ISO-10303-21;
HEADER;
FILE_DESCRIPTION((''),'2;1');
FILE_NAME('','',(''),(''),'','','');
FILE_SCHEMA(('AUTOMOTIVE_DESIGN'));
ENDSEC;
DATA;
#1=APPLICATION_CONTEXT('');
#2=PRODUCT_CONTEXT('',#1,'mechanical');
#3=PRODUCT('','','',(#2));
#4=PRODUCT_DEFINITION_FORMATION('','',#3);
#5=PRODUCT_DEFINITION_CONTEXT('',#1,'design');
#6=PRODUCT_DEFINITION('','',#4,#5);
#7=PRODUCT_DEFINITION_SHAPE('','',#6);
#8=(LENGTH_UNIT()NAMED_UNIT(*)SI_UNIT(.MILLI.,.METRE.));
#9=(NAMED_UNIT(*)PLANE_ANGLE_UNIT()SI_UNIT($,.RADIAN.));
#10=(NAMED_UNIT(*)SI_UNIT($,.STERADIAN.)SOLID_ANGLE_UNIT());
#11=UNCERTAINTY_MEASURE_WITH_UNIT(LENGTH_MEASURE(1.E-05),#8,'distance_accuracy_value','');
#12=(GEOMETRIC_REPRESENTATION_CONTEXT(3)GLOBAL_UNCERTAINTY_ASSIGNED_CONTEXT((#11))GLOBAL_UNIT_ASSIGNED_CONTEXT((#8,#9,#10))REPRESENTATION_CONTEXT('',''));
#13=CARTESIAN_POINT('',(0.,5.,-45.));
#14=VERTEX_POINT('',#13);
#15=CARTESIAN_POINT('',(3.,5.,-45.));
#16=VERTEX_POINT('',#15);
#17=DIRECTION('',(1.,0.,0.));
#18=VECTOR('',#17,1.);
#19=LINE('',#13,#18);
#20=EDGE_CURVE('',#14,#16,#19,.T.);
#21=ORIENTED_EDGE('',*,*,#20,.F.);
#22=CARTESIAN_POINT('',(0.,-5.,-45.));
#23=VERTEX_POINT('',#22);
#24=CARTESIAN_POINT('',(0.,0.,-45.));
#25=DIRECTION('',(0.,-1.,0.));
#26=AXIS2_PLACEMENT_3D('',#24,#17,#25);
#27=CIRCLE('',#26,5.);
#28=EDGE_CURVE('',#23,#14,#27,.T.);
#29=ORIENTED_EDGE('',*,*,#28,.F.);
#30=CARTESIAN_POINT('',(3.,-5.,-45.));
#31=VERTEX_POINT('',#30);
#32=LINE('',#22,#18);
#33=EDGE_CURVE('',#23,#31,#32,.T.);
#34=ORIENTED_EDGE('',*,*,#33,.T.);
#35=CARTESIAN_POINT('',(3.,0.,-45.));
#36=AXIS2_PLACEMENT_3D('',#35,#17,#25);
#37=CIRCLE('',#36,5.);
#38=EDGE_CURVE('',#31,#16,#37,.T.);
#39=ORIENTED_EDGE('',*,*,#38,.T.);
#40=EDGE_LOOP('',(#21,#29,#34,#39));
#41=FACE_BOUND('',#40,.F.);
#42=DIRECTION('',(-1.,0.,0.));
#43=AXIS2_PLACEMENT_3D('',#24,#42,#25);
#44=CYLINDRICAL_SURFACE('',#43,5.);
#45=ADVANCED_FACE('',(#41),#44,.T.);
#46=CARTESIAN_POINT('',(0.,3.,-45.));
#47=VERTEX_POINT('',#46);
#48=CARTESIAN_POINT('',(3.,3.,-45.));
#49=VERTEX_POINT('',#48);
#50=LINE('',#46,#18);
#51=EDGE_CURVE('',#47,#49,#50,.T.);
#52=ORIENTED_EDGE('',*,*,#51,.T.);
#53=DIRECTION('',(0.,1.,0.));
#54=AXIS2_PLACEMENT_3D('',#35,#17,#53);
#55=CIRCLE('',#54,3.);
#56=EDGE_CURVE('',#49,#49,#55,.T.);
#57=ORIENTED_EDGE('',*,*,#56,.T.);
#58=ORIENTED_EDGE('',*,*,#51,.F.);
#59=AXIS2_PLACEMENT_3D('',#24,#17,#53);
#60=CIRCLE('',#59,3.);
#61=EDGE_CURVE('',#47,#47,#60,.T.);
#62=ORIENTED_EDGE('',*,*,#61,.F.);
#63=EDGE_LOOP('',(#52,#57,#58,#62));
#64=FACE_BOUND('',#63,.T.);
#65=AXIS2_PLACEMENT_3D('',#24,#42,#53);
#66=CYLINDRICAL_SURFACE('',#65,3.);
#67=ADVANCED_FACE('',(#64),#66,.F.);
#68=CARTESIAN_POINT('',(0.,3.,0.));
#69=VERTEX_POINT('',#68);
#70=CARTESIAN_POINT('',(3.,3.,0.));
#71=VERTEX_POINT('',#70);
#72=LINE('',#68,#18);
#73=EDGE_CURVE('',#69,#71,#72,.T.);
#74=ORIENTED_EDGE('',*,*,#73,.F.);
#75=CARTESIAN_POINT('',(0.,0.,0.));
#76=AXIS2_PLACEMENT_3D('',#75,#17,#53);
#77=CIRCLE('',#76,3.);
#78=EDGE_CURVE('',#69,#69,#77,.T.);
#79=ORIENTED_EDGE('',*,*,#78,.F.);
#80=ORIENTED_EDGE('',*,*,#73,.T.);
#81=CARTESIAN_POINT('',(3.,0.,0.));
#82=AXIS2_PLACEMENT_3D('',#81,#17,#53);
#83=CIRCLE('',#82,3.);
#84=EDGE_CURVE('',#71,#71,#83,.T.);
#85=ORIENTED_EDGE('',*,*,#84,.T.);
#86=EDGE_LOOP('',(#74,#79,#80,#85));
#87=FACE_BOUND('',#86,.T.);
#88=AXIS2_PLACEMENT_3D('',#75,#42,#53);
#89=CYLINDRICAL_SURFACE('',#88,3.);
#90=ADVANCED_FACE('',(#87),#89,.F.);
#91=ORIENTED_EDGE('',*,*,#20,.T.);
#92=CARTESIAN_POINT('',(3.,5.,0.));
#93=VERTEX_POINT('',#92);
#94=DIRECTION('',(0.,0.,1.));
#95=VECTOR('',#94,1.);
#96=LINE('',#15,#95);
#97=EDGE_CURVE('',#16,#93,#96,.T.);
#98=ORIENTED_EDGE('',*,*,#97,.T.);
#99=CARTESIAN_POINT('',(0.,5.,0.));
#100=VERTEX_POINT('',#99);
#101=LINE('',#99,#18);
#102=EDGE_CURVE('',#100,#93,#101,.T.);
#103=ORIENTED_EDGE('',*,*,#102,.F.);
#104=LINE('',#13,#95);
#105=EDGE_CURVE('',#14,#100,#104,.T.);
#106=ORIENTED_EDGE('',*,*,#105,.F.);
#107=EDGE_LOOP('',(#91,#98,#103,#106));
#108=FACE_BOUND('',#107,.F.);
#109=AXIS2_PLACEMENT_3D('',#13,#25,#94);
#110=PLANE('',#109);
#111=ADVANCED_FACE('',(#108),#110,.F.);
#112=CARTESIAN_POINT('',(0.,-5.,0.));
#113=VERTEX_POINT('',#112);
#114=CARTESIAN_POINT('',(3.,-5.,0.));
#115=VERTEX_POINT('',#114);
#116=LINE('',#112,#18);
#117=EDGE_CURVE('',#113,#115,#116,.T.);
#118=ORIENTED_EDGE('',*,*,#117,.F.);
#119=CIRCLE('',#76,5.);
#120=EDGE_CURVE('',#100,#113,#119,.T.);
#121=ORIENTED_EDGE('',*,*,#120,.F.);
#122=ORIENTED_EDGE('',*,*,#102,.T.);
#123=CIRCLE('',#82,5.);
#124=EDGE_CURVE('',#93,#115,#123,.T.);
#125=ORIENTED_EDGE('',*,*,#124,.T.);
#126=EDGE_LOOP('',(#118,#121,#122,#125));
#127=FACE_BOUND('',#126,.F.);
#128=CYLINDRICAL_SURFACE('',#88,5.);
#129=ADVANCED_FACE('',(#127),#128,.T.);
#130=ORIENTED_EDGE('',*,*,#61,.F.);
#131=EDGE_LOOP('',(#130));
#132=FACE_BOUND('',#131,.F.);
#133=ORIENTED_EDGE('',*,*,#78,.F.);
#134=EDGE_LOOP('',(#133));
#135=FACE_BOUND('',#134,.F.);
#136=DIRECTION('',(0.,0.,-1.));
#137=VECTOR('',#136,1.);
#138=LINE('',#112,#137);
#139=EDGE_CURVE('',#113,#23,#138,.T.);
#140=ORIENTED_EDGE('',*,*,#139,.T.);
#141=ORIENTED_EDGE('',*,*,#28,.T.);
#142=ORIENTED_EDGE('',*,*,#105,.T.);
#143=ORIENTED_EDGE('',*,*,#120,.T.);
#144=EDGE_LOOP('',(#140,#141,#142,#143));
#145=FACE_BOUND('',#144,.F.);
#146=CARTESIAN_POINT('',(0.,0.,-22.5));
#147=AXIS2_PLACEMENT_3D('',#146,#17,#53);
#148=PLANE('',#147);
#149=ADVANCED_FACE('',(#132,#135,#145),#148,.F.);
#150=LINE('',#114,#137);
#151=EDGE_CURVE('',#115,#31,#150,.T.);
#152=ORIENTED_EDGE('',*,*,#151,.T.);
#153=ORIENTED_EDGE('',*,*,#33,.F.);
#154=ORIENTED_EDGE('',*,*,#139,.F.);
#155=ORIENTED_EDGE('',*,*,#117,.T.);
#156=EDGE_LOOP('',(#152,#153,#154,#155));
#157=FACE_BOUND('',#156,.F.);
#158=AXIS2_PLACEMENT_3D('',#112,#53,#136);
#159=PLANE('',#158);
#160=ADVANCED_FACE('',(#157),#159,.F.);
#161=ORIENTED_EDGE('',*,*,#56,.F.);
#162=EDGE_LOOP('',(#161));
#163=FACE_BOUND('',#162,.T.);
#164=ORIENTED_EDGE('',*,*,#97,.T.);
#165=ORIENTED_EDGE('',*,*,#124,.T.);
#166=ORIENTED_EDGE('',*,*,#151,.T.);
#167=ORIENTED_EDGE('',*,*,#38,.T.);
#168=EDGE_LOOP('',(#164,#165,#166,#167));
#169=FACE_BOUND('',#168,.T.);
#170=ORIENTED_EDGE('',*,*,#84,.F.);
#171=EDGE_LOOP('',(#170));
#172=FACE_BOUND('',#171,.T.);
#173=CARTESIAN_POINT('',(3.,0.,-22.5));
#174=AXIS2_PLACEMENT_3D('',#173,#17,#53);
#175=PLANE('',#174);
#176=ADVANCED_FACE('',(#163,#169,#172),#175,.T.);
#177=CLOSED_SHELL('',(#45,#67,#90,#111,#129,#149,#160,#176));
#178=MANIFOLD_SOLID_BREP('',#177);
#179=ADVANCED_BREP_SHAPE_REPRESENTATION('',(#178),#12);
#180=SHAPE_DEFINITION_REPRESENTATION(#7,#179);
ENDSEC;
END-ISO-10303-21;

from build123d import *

# Parameters (mm, degrees)
F0_R     = 3
F1_DEPTH = 3


with BuildPart() as f1:
    # F0 (on Right) → F1 (new body)
    with BuildSketch(Plane.YZ):
        with BuildLine():
            ThreePointArc((5, 0), (0, 5), (-5, 0))
            Line((-5, 0), (-5, -45))
            ThreePointArc((-5, -45), (0, -50), (5, -45))
            Line((5, -45), (5, 0))
        make_face()
        with Locations((0, -45)):
            Circle(F0_R, mode=Mode.SUBTRACT)
        Circle(F0_R, mode=Mode.SUBTRACT)
    extrude(amount=F1_DEPTH)


solid = f1.part
